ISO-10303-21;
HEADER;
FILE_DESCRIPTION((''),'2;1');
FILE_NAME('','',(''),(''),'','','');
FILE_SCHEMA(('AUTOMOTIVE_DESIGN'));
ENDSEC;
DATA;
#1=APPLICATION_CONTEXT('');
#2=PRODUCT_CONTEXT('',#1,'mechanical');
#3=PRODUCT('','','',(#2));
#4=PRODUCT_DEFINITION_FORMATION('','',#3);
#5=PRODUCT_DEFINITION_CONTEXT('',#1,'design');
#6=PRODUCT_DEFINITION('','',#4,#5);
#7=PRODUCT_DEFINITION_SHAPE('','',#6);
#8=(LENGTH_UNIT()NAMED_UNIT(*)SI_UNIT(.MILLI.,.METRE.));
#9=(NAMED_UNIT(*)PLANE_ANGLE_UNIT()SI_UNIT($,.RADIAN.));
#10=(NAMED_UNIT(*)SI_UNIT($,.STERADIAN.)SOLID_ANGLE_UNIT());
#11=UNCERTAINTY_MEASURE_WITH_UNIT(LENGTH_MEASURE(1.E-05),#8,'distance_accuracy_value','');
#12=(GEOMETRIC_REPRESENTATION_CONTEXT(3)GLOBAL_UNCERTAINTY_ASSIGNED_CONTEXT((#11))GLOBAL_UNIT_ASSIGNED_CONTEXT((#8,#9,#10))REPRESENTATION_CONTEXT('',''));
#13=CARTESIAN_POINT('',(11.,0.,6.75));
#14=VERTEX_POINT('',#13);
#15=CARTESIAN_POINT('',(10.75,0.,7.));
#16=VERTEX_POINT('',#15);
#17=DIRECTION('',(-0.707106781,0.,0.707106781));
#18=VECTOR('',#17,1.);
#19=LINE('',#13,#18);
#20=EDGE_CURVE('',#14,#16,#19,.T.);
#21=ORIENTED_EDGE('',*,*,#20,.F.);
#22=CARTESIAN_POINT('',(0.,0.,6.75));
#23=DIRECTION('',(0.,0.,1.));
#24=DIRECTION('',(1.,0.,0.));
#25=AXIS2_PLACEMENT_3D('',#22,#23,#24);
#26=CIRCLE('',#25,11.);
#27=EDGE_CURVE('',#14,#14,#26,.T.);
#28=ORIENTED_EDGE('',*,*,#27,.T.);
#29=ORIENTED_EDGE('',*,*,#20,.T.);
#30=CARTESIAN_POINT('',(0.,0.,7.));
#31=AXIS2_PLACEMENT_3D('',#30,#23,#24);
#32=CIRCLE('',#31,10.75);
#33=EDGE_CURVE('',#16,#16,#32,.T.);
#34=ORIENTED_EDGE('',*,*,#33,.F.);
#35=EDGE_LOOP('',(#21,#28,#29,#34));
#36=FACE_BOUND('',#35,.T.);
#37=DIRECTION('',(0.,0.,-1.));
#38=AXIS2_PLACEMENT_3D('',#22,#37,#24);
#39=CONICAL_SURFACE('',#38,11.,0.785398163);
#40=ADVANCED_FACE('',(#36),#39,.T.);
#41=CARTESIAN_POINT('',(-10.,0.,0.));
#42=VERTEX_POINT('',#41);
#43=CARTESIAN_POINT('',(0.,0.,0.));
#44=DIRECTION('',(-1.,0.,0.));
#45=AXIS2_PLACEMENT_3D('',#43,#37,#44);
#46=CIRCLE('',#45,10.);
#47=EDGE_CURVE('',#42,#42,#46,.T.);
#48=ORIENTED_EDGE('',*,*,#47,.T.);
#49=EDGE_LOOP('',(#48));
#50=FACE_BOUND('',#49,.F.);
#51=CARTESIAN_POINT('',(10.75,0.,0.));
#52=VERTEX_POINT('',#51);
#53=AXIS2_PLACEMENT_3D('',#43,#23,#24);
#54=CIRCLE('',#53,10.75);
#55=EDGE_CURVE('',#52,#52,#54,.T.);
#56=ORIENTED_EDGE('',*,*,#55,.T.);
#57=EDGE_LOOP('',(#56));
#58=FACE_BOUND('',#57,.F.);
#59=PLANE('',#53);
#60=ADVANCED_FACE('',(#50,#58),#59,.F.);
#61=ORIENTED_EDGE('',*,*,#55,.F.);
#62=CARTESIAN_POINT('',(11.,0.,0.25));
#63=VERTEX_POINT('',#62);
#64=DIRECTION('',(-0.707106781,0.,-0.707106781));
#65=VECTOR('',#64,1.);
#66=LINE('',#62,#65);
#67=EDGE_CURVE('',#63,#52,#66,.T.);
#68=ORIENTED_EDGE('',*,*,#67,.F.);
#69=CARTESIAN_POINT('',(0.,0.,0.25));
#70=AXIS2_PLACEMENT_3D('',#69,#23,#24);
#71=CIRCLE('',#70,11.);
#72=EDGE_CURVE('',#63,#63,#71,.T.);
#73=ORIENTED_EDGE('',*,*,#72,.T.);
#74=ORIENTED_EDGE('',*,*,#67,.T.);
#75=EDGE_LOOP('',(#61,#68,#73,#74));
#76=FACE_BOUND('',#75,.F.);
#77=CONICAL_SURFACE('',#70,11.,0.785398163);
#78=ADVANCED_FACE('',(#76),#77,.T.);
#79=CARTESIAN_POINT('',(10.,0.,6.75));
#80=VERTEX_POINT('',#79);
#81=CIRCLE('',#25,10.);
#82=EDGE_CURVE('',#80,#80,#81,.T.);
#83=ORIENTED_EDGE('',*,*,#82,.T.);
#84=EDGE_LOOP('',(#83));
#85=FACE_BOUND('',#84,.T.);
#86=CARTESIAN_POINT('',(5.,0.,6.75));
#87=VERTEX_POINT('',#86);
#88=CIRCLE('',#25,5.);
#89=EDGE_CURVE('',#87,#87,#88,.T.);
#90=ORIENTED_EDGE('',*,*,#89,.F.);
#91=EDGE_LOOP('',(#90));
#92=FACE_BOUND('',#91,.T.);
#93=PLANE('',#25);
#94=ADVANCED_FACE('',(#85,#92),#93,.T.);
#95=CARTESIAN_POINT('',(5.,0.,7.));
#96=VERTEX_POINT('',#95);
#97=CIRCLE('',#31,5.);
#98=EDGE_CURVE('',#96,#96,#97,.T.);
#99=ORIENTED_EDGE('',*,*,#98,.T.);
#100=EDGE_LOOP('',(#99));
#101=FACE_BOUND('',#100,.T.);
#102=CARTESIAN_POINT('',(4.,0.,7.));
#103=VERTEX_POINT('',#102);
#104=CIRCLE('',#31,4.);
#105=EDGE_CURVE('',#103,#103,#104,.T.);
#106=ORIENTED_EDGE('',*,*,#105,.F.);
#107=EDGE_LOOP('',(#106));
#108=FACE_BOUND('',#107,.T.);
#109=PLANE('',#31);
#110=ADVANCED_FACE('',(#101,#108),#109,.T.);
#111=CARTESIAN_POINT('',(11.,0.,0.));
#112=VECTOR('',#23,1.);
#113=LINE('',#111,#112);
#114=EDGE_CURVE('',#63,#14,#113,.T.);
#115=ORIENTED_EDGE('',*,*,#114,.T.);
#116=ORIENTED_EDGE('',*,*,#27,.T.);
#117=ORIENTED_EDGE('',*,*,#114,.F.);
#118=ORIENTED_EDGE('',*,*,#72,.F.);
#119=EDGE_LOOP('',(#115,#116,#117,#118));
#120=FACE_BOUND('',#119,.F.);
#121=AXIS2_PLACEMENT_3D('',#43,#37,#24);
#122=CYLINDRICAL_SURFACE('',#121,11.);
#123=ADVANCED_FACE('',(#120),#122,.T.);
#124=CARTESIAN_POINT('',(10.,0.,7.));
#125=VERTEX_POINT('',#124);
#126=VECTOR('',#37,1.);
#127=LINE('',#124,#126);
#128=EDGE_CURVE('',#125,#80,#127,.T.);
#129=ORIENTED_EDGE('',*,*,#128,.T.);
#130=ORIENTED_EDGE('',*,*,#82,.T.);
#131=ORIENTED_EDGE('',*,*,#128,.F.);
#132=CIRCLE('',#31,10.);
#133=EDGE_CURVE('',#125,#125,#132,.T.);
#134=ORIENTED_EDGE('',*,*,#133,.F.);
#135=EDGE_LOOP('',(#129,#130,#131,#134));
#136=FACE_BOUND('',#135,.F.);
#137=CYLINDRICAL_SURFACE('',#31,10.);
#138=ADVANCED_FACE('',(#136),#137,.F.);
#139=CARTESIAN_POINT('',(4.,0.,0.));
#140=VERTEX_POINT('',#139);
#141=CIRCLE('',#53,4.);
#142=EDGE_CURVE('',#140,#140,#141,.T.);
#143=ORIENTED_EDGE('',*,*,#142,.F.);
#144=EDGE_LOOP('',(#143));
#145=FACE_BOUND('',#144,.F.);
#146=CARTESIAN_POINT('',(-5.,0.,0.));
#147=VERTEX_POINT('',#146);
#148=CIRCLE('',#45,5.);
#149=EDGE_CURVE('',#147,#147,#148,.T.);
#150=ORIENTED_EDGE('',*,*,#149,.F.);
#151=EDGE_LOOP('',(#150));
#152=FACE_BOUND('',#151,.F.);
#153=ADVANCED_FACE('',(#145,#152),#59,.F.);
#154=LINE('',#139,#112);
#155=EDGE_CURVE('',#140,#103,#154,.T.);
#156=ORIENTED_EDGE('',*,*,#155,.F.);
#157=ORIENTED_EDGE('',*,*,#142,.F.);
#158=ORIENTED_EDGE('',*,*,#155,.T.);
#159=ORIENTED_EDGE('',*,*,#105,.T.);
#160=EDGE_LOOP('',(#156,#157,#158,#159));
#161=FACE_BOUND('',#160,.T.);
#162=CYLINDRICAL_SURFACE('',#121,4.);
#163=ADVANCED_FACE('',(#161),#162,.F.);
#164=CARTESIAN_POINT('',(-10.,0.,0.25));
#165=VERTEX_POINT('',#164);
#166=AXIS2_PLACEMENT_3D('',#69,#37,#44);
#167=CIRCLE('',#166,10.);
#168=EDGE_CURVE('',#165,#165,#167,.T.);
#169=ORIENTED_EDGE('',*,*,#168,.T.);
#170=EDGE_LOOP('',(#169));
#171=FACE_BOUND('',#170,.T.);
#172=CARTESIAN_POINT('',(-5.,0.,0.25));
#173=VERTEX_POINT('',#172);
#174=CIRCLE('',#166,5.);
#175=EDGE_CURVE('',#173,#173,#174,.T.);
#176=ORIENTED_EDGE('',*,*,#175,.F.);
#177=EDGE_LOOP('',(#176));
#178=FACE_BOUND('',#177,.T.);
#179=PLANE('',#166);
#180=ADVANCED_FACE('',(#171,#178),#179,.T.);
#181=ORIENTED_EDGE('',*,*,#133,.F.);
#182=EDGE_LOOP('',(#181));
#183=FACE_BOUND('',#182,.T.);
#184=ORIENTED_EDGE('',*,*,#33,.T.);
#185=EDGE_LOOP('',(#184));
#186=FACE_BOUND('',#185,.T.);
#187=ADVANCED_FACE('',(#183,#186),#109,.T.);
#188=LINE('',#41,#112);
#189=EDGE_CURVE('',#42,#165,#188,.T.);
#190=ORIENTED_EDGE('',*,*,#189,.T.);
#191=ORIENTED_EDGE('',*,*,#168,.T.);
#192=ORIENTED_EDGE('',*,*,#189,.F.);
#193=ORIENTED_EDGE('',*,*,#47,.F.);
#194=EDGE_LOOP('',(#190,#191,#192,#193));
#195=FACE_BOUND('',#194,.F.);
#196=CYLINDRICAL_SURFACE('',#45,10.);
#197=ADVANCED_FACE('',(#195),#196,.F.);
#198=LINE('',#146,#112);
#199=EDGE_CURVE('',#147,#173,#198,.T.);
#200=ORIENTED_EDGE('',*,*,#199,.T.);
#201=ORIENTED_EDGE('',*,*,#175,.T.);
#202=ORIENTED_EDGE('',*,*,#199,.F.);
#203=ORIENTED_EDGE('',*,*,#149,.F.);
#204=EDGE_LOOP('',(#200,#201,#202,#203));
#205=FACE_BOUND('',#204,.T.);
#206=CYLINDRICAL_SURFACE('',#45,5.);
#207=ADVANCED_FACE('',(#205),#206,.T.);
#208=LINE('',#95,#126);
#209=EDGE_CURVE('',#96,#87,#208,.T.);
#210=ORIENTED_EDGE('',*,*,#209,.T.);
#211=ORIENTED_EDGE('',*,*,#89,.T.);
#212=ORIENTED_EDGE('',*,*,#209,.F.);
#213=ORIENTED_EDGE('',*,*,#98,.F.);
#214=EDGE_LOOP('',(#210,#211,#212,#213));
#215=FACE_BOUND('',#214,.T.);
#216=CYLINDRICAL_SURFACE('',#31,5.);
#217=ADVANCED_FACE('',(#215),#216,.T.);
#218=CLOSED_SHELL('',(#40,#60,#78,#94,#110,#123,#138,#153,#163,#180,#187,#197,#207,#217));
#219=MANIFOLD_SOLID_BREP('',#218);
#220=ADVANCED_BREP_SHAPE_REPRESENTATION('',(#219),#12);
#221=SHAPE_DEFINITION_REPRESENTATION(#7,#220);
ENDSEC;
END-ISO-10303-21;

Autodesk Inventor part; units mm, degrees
ref_plane "YZ Plane" through (0, 0, 0) normal (1, 0, 0) x (0, 1, 0)
ref_plane "XZ Plane" through (0, 0, 0) normal (0, 1, 0) x (-1, 0, 0)
ref_plane "XY Plane" through (0, 0, 0) normal (0, 0, 1) x (1, 0, 0)
sketch "Sketch1" plane through (0, 0, 0) normal (0, 0, 1) x (1, 0, 0)
  circle A0 centre (0, 0) radius 11
  circle A1 centre (0, 0) radius 4
  dimension "d0" = 22
  dimension "d1" = 8
extrude "Extrusion1" add sketch "Sketch1" along normal blind 7
sketch "Sketch2" plane through (0, 0, 7) normal (0, 0, 1) x (1, 0, 0)
  circle A0 centre (0, 0) radius 5
  circle A1 centre (0, 0) radius 10
  circle A2 centre (0, 0) radius 11 projected
  circle A3 centre (0, 0) radius 4 projected
  dimension "d4" = 1
  dimension "d5" = 1
extrude "Extrusion2" cut sketch "Sketch2" against normal blind 0.25 contours A1
sketch "Sketch3" plane through (0, 0, 0) normal (0, 0, -1) x (-1, 0, 0)
  circle A0 centre (0, 0) radius 10 projected
  circle A1 centre (0, 0) radius 5 projected
extrude "Extrusion3" cut sketch "Sketch3" against normal blind 0.25
chamfer "Chamfer1" distance 0.25 angle 45 2 edges at (-11, 0, 7) (-11, 0, 0)
properties part number "bearing_22x8x7"
